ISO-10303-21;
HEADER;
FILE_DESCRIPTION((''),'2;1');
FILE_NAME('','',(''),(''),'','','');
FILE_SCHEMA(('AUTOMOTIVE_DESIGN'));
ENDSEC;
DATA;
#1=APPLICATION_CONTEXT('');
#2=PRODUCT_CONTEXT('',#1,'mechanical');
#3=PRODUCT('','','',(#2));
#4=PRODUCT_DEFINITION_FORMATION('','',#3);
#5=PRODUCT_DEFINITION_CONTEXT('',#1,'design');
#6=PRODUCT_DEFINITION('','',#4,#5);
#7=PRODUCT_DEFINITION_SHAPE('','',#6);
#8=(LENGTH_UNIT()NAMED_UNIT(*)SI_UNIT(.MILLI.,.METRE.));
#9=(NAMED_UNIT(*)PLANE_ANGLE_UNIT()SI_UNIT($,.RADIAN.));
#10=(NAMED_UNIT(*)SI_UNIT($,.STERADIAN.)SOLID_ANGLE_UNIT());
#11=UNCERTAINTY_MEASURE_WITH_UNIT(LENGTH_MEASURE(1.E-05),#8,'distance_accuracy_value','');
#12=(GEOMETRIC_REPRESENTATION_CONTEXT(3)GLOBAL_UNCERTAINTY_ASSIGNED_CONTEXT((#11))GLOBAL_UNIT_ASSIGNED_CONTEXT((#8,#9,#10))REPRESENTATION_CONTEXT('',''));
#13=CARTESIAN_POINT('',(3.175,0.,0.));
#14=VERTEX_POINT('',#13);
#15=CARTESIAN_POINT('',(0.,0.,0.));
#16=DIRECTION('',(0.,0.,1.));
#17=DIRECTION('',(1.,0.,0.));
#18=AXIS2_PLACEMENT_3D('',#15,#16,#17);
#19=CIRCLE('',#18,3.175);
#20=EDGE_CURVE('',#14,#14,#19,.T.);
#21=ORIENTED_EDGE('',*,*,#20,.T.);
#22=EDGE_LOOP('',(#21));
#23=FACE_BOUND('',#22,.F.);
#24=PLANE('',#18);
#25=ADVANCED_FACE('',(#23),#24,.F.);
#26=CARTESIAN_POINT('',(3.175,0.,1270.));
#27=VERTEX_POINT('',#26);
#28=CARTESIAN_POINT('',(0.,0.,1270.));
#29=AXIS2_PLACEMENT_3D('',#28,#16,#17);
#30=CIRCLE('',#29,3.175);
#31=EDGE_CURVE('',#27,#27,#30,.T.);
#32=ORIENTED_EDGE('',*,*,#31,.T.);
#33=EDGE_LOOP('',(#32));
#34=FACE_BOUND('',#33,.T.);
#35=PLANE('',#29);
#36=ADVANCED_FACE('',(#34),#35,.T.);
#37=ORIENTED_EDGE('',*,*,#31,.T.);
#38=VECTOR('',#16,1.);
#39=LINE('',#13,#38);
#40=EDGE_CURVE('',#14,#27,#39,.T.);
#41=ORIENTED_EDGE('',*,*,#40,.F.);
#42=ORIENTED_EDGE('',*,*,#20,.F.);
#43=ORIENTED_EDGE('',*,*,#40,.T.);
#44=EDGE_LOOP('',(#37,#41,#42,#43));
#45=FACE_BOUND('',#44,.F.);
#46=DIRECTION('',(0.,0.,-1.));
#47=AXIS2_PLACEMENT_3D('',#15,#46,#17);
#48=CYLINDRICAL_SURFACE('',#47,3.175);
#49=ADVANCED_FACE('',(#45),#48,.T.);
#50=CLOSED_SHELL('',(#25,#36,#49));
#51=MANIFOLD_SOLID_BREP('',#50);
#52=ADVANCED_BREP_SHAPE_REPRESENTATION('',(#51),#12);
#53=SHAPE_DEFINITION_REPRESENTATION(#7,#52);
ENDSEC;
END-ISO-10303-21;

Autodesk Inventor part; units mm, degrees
ref_plane "YZ Plane" through (0, 0, 0) normal (1, 0, 0) x (0, 1, 0)
ref_plane "XZ Plane" through (0, 0, 0) normal (0, 1, 0) x (-1, 0, 0)
ref_plane "XY Plane" through (0, 0, 0) normal (0, 0, 1) x (1, 0, 0)
sketch "Sketch1" plane through (0, 0, 0) normal (0, 0, 1) x (1, 0, 0)
  circle A0 centre (0, 0) radius 3.175
  dimension "d0" = 6.35
extrude "Extrusion1" add sketch "Sketch1" along normal blind 1270
properties part number "50 in rod"
